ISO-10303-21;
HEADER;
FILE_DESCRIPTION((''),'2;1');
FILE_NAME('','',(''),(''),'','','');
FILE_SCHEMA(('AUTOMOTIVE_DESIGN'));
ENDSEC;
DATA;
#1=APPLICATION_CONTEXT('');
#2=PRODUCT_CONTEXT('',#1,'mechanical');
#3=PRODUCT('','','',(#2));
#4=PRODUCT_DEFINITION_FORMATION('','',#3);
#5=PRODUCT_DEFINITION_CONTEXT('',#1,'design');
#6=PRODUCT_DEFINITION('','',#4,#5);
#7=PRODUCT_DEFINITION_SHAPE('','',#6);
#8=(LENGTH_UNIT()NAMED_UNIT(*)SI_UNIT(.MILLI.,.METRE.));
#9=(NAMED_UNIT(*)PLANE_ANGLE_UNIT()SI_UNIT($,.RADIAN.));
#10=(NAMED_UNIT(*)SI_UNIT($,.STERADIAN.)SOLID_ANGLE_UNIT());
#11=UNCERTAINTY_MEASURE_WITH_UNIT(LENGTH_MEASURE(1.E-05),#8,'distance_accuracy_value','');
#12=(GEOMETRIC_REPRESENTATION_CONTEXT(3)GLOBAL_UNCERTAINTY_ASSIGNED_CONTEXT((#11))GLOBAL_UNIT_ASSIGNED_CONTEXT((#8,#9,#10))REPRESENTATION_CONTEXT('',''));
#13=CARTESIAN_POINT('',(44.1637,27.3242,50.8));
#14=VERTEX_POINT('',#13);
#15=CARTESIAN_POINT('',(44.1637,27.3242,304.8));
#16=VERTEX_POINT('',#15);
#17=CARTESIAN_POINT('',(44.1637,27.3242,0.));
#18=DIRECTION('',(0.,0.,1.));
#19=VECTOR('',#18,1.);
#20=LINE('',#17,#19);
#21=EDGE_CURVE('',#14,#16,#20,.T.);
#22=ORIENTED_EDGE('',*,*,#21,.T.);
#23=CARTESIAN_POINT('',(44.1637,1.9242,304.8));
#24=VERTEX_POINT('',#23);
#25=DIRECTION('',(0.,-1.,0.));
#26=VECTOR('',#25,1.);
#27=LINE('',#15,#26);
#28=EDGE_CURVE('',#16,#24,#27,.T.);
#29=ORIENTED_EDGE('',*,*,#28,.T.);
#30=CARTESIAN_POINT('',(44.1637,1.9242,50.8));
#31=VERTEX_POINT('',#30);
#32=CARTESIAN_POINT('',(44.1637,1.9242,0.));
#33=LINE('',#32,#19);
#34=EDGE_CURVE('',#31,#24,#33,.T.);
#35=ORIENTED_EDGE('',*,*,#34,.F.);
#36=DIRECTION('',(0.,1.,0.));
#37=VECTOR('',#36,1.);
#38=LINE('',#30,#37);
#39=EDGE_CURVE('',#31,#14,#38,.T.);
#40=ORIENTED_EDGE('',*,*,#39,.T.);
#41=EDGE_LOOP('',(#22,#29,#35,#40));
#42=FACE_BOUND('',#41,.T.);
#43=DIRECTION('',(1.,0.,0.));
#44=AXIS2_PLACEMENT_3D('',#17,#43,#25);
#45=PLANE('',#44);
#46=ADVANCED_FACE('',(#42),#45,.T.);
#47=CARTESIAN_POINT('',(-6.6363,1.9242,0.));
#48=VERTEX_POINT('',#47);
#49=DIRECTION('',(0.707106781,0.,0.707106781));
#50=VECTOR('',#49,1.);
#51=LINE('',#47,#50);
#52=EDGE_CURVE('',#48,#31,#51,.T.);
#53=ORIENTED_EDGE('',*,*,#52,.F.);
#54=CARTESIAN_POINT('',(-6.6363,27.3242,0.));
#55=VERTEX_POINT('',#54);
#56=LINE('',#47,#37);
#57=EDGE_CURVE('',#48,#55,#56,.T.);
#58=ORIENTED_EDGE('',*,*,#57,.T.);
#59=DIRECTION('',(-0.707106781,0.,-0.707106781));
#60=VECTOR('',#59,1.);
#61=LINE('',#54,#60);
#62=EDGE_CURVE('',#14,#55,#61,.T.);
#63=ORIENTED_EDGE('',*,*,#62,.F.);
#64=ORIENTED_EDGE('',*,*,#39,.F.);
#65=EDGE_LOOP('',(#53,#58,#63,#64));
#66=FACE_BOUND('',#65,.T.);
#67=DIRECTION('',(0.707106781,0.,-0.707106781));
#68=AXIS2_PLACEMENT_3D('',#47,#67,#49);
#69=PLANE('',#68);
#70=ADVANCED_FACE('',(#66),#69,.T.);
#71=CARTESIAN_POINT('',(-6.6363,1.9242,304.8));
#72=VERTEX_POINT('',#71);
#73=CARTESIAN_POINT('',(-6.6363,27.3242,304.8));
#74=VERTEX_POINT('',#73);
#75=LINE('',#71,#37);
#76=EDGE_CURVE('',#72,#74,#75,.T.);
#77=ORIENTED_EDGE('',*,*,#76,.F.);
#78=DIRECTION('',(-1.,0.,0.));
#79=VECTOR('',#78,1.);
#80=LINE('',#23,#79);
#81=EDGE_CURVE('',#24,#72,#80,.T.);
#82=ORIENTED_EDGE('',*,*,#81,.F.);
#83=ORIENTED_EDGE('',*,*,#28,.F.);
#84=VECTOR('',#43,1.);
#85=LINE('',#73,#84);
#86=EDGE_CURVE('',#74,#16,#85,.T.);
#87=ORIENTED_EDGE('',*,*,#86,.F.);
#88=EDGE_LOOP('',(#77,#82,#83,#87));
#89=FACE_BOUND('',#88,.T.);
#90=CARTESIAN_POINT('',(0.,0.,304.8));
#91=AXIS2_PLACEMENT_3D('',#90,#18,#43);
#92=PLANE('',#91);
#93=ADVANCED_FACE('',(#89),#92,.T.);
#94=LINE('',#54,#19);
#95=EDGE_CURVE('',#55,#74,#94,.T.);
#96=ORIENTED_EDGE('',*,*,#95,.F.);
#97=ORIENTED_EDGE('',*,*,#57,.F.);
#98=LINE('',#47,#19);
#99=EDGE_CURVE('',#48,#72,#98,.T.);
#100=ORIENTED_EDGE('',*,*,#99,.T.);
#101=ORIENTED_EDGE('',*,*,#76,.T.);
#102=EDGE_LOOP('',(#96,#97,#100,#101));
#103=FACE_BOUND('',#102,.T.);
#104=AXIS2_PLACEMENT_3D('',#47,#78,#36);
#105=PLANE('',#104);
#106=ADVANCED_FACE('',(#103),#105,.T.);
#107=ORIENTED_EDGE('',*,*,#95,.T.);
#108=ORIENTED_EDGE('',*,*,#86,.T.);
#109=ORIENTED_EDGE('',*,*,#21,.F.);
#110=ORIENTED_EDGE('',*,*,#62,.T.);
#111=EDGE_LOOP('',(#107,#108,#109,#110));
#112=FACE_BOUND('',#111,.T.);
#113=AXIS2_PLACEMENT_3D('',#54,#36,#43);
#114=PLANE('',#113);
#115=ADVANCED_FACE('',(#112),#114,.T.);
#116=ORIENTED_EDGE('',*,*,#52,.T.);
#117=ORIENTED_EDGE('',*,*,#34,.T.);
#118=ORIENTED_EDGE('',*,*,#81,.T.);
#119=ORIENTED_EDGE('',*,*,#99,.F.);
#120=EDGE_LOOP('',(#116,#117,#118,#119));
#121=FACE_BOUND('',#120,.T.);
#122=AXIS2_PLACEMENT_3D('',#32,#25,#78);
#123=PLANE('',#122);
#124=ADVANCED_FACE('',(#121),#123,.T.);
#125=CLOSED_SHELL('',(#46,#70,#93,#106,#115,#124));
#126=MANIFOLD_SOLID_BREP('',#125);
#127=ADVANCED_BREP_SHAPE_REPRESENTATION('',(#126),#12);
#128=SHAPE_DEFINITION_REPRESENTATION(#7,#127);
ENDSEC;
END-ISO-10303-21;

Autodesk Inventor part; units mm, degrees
ref_plane "YZ Plane" through (0, 0, 0) normal (1, 0, 0) x (0, 1, 0)
ref_plane "XZ Plane" through (0, 0, 0) normal (0, 1, 0) x (-1, 0, 0)
ref_plane "XY Plane" through (0, 0, 0) normal (0, 0, 1) x (1, 0, 0)
sketch "Sketch1" plane through (0, 0, 0) normal (0, 0, 1) x (1, 0, 0)
  line L0 (-6.6363, 27.3242) -> (44.1637, 27.3242)
  line L1 (44.1637, 27.3242) -> (44.1637, 1.9242)
  line L2 (44.1637, 1.9242) -> (-6.6363, 1.9242)
  line L3 (-6.6363, 1.9242) -> (-6.6363, 27.3242)
  point P0 (0, 0)
  dimension "d0" = 50.8
  dimension "d1" = 25.4
extrude "Extrusion1" add sketch "Sketch1" along normal blind 304.8
sketch "Sketch2" plane through (-6.6363, 1.9242, 0) normal (0, -1, 0) x (1, 0, 0)
  line L0 (0, 0) -> (50.8, 0) projected
  line L1 (0, 0) -> (50.8, 50.8)
  line L2 (50.8, 0) -> (50.8, 304.8) projected
  point P0 (6.6363, 0)
  dimension "d4" = 45
extrude "Extrusion2" cut sketch "Sketch2" against normal blind 304.8
properties part number "perpendicular_alum_bar"
